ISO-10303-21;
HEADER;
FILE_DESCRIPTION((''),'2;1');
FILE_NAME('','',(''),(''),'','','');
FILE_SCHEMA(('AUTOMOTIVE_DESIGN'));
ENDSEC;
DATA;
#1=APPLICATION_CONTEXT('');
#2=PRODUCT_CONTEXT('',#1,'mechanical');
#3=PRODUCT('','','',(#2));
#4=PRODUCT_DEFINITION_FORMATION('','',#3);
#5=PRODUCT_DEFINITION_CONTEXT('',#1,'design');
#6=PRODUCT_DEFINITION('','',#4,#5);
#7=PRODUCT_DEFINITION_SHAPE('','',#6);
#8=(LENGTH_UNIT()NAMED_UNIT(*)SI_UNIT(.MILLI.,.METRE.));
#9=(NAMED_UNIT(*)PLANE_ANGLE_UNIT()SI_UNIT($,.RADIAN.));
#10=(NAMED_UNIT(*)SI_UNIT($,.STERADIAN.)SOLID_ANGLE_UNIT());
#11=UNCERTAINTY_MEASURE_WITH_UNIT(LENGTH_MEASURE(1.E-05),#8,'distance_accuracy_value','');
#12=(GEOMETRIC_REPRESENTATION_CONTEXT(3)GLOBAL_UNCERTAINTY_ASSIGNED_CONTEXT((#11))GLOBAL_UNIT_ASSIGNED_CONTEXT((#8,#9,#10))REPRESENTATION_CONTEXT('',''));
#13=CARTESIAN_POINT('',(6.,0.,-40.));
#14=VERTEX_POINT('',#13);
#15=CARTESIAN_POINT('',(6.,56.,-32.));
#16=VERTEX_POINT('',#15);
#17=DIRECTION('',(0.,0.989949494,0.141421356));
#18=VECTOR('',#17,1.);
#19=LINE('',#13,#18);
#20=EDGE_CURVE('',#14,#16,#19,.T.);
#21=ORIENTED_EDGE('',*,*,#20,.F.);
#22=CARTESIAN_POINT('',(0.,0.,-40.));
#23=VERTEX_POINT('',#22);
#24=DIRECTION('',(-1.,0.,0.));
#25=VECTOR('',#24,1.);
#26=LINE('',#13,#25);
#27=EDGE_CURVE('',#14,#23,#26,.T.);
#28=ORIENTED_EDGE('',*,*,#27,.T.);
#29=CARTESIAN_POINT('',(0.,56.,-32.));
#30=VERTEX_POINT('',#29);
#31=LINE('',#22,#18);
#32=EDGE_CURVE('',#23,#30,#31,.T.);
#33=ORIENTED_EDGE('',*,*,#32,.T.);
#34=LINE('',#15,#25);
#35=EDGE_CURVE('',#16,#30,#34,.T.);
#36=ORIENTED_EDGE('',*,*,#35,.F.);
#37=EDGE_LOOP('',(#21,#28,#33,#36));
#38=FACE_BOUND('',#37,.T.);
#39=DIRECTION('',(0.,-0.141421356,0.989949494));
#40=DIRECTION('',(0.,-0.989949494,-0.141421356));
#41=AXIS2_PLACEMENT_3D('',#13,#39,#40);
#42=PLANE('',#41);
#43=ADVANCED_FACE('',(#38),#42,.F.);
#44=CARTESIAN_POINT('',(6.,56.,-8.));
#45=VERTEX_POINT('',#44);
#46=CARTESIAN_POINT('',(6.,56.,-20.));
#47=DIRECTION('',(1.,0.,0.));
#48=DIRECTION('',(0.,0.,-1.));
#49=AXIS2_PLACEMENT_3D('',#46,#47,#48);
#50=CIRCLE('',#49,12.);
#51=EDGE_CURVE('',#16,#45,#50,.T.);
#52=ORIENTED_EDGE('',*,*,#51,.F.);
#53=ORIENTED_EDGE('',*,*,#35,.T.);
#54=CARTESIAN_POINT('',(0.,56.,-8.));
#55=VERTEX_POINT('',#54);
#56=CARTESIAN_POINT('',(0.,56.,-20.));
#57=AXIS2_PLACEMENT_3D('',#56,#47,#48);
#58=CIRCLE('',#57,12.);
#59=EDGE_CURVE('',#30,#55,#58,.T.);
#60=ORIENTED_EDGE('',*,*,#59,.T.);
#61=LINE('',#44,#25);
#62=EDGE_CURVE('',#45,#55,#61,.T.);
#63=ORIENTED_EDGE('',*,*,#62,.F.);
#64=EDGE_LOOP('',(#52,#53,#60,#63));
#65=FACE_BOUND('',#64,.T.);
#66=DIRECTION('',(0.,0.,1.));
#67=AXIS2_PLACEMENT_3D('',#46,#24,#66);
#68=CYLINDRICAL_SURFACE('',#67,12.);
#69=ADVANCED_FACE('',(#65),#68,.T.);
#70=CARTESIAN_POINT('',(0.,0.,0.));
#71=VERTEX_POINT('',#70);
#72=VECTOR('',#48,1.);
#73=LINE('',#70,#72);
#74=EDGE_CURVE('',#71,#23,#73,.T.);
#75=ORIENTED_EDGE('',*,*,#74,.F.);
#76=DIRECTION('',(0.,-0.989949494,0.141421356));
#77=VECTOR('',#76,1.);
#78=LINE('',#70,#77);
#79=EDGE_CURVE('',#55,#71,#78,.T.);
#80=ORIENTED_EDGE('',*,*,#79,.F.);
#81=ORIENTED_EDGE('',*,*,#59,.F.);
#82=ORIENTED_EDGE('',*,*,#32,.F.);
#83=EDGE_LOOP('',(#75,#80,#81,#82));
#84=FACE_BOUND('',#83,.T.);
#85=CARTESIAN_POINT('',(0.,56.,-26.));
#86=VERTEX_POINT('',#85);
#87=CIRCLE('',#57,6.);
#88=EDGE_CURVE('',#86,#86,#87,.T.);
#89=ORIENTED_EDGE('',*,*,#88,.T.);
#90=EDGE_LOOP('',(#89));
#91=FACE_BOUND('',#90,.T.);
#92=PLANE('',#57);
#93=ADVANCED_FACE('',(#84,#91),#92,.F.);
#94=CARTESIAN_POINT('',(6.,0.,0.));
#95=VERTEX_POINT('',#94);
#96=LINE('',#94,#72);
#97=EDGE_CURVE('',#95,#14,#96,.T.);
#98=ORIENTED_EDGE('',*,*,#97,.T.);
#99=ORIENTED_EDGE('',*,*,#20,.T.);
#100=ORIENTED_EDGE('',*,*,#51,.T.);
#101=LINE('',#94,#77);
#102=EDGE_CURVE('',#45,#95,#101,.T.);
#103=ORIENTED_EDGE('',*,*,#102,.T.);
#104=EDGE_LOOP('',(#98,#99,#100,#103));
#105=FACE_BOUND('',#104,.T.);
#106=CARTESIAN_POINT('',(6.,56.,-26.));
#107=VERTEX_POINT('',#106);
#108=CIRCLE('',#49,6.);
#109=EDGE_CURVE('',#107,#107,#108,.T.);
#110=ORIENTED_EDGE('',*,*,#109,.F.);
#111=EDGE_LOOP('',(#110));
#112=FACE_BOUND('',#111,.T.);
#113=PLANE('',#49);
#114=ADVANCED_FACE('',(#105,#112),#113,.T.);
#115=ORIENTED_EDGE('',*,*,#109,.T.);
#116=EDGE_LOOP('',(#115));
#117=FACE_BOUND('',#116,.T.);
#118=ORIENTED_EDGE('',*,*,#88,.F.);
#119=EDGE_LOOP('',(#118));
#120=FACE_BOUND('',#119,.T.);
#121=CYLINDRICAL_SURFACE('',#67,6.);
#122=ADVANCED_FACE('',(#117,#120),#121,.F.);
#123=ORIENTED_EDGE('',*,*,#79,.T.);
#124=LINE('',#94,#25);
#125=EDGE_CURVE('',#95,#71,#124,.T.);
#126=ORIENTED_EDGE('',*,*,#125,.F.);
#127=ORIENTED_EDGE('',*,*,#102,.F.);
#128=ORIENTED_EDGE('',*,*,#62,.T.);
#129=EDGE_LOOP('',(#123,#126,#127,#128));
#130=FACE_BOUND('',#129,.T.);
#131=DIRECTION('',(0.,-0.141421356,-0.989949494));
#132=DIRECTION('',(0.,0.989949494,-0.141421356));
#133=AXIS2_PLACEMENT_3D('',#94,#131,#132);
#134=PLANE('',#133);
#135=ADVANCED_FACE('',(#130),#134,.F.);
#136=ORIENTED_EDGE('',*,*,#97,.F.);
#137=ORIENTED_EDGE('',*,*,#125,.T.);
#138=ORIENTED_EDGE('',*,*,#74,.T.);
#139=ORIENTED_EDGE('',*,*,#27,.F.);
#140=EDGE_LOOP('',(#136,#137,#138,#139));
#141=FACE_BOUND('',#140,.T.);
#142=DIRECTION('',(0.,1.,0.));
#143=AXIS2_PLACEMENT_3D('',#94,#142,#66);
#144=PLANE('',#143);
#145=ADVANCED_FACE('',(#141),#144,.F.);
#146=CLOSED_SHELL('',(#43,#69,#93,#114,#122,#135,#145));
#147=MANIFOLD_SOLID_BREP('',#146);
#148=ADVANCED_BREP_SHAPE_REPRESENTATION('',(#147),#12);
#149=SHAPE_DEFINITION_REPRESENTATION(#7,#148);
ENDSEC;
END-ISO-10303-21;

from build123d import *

# Parameters (mm, degrees)
SKETCH1_R           = 6
BOSS_EXTRUDE1_DEPTH = 6


with BuildPart() as part:
    # Sketch1 → Boss-Extrude1 (new body)
    with BuildSketch(Plane(origin=(0, 0, 0), x_dir=(0, 0, -1), z_dir=(1, 0, 0))):
        with BuildLine():
            Line((0, 0), (40, 0))
            Line((40, 0), (32, 56))
            ThreePointArc((32, 56), (20, 68), (8, 56))
            Line((8, 56), (0, 0))
        make_face()
        with Locations((20, 56)):
            Circle(SKETCH1_R, mode=Mode.SUBTRACT)
    extrude(amount=BOSS_EXTRUDE1_DEPTH)


solid = part.part
